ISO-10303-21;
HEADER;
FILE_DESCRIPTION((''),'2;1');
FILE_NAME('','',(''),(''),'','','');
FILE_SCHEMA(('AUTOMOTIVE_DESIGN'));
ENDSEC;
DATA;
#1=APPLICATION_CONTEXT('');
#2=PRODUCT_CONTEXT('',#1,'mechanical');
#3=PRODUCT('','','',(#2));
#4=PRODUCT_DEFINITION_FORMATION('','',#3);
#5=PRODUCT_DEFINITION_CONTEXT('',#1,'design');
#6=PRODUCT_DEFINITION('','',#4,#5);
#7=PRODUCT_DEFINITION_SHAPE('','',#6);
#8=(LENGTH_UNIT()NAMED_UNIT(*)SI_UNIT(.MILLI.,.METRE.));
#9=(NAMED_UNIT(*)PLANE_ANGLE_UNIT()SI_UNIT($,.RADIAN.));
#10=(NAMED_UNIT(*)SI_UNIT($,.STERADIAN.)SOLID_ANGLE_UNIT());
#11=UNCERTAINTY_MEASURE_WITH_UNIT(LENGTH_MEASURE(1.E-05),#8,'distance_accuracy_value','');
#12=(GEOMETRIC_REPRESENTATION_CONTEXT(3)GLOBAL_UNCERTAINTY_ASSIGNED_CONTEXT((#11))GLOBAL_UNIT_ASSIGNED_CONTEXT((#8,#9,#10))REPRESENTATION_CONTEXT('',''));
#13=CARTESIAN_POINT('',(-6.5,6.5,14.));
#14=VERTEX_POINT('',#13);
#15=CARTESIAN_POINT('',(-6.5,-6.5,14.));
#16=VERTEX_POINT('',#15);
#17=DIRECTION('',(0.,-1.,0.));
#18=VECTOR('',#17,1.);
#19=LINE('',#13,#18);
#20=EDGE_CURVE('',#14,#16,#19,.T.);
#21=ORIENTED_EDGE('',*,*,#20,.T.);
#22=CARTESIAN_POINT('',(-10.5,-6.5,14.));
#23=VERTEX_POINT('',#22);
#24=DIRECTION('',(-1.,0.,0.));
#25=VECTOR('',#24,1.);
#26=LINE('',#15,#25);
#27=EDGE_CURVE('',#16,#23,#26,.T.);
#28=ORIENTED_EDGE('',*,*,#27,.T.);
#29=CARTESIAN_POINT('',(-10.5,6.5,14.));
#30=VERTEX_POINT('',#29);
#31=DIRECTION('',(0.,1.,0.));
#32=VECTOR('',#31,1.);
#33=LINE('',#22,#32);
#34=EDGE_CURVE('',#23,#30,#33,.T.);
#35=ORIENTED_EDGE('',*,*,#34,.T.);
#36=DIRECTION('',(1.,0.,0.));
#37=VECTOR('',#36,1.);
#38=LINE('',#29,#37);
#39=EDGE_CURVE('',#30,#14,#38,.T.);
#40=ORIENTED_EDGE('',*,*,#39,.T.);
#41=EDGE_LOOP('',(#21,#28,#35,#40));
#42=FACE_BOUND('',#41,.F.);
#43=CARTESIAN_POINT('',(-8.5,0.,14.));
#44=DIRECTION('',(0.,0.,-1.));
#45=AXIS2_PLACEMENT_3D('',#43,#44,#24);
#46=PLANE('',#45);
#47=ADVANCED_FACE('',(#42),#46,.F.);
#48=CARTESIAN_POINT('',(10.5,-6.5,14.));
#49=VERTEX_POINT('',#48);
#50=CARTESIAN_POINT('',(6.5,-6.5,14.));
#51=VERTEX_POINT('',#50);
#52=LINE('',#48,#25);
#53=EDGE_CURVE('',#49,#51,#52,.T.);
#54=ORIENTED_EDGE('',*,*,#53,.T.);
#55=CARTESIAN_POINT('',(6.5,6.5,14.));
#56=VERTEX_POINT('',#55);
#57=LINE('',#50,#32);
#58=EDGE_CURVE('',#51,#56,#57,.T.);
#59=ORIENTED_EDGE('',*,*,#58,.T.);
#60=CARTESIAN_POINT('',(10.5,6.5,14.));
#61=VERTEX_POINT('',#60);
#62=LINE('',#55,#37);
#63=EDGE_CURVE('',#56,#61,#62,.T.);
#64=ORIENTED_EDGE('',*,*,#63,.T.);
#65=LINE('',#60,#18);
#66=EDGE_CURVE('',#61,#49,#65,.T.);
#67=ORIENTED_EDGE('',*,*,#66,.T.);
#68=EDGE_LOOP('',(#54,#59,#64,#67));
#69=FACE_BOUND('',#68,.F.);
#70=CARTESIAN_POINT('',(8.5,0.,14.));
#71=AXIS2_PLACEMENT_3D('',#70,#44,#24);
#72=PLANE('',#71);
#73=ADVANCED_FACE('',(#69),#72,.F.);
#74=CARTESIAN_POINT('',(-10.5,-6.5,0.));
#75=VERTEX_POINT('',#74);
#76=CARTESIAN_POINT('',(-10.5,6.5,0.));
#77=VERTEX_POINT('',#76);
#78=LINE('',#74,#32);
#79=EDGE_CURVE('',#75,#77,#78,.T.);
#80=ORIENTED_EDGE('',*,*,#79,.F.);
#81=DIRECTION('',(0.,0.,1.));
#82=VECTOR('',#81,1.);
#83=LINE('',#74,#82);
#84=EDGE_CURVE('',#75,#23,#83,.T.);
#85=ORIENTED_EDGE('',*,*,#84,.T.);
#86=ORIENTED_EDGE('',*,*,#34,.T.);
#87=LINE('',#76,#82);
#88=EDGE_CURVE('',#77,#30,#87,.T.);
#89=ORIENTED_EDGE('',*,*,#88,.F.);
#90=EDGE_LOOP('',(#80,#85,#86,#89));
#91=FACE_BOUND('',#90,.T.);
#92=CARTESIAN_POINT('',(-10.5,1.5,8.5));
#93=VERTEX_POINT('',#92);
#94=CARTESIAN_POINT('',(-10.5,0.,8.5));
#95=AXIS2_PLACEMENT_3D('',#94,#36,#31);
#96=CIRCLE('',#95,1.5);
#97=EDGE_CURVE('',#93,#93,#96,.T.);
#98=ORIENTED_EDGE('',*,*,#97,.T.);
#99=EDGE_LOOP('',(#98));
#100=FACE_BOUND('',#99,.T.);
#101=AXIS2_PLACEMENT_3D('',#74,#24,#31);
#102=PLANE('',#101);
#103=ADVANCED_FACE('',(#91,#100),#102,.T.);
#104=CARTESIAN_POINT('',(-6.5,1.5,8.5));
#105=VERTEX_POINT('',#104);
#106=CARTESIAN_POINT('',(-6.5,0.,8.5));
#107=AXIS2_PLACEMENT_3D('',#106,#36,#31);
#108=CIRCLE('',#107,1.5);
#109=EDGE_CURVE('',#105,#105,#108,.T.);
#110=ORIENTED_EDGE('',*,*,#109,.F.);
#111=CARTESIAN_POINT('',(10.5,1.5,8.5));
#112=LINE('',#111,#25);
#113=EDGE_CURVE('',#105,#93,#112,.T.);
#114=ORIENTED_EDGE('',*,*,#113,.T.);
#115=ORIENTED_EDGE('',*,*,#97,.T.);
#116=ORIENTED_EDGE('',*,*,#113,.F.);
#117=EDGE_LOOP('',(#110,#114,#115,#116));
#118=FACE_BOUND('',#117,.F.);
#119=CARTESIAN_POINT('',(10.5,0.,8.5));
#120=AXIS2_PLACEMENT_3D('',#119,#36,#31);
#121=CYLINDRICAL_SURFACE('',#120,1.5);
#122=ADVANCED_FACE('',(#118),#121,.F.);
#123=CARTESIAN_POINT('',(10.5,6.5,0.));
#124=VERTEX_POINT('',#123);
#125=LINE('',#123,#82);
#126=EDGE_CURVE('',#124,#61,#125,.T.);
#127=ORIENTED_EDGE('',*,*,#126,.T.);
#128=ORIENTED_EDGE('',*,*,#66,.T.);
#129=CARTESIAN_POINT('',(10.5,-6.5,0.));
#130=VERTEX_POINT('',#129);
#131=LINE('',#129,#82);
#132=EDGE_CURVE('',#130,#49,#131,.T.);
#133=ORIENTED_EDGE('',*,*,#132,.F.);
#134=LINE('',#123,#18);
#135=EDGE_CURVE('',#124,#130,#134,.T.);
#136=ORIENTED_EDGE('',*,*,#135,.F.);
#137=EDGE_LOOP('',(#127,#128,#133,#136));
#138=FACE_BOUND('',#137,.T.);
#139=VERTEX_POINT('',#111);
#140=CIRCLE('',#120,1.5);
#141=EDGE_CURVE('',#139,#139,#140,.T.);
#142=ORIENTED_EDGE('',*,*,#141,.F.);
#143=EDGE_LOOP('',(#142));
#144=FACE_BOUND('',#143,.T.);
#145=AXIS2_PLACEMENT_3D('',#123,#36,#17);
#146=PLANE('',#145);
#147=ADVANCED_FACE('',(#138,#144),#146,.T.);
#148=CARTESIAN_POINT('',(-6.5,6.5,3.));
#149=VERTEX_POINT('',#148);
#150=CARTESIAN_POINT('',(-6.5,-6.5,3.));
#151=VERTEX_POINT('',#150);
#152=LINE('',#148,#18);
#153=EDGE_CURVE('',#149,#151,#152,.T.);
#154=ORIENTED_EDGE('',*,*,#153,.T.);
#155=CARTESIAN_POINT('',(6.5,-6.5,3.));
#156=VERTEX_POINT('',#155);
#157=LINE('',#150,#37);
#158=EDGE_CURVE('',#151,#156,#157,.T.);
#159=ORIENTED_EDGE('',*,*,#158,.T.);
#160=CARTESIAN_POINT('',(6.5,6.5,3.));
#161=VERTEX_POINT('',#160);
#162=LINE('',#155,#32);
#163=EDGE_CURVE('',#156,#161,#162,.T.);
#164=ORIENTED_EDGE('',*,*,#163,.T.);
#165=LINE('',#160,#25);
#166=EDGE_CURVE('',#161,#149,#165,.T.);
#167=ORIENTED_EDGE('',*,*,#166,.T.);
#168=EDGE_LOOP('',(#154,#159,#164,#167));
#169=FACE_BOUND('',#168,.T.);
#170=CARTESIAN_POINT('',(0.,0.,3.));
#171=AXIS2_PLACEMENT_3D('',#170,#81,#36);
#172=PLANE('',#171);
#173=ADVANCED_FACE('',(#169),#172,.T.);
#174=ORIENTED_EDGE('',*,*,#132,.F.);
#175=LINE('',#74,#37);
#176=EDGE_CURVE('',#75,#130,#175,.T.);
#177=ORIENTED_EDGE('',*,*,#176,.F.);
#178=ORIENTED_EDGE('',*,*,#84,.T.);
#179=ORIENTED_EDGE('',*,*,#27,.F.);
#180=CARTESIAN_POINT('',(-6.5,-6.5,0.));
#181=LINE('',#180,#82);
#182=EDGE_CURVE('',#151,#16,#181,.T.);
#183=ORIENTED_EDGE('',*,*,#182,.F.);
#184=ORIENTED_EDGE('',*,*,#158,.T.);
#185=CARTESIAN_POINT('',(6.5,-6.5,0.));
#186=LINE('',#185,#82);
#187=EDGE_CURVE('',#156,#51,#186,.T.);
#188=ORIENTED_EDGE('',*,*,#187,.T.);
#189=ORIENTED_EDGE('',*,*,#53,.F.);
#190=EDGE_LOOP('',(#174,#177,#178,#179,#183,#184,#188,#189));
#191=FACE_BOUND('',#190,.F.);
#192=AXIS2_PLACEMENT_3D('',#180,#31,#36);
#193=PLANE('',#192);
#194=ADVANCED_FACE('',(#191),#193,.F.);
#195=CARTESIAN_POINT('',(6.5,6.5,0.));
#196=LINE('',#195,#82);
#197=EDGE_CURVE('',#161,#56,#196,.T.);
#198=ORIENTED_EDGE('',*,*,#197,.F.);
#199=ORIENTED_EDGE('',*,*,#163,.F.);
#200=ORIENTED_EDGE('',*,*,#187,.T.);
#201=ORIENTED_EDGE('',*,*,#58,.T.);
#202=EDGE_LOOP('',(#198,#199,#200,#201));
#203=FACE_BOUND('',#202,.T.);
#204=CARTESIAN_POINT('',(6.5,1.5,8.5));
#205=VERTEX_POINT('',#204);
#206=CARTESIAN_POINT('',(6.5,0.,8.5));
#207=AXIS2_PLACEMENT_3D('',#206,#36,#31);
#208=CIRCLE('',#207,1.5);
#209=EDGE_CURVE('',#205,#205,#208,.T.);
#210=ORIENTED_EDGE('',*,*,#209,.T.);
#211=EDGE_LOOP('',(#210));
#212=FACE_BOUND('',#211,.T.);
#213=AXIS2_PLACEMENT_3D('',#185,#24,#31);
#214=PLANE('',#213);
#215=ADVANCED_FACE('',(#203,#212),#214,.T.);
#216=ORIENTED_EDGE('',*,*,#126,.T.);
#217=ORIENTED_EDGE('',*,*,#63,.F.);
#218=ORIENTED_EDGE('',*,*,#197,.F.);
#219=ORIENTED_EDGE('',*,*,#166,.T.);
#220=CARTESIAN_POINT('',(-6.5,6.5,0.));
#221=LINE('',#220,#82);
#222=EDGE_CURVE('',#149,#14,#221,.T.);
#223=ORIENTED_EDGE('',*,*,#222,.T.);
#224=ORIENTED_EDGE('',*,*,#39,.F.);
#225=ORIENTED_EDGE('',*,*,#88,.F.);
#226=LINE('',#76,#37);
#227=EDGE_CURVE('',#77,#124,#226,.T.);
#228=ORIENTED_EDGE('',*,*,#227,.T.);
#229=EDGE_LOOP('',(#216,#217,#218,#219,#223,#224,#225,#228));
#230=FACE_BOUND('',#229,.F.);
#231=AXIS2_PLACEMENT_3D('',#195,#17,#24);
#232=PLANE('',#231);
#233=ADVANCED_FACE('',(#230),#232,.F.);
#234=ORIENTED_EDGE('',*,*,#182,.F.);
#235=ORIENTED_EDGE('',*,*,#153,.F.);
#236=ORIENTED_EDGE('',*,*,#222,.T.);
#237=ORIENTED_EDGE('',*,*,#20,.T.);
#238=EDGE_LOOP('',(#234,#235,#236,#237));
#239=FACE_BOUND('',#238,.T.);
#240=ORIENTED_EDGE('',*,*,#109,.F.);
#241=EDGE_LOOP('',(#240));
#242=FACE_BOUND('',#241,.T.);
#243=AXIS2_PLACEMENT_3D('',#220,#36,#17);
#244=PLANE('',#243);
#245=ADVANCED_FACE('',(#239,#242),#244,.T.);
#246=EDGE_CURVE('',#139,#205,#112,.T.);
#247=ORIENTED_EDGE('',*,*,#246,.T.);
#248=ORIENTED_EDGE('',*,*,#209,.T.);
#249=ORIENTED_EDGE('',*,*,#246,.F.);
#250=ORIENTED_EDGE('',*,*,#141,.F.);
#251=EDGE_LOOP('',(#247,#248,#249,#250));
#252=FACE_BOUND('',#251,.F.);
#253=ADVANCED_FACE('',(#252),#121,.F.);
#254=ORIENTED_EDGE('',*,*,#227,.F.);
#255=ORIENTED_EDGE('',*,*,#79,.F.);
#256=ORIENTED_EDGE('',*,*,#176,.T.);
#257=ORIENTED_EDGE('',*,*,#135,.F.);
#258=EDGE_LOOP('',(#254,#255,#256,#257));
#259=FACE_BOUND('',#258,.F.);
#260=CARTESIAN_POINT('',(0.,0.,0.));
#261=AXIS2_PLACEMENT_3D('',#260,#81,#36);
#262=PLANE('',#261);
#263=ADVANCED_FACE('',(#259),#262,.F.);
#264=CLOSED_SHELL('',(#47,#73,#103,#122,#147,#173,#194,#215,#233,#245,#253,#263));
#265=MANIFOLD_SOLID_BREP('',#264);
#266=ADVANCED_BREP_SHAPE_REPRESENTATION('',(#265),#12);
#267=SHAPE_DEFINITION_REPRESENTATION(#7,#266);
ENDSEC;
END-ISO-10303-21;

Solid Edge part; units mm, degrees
sketch "Sketch1" plane through (0, 0, 0) normal (0, 0, 1) x (1, 0, 0)
  line L0 (-6.5, -6.5) -> (6.5, -6.5)
  line L1 (6.5, -6.5) -> (6.5, 6.5)
  line L2 (6.5, 6.5) -> (-6.5, 6.5)
  line L3 (-6.5, 6.5) -> (-6.5, -6.5)
extrude "Protrusion1" add sketch "Sketch1" along normal blind 3
sketch "Sketch2" plane through (0, 0, 0) normal (0, 0, 1) x (1, 0, 0)
  line L0 (10.5, -6.5) -> (6.5, -6.5)
  line L1 (6.5, -6.5) -> (6.5, 6.5)
  line L2 (6.5, 6.5) -> (10.5, 6.5)
  line L3 (10.5, 6.5) -> (10.5, -6.5)
  line L4 (-6.5, -6.5) -> (-10.5, -6.5)
  line L5 (-10.5, -6.5) -> (-10.5, 6.5)
  line L6 (-10.5, 6.5) -> (-6.5, 6.5)
  line L7 (-6.5, 6.5) -> (-6.5, -6.5)
extrude "ExtrudedProtrusion_2" add sketch "Sketch2" along normal blind 14
sketch "Sketch3" plane through (10.5, 0, 7) normal (1, 0, 0) x (0, 1, 0)
  circle A0 centre (0, 1.5) radius 1.5
extrude "ExtrudedCutout_1" cut sketch "Sketch3" against normal blind 39
